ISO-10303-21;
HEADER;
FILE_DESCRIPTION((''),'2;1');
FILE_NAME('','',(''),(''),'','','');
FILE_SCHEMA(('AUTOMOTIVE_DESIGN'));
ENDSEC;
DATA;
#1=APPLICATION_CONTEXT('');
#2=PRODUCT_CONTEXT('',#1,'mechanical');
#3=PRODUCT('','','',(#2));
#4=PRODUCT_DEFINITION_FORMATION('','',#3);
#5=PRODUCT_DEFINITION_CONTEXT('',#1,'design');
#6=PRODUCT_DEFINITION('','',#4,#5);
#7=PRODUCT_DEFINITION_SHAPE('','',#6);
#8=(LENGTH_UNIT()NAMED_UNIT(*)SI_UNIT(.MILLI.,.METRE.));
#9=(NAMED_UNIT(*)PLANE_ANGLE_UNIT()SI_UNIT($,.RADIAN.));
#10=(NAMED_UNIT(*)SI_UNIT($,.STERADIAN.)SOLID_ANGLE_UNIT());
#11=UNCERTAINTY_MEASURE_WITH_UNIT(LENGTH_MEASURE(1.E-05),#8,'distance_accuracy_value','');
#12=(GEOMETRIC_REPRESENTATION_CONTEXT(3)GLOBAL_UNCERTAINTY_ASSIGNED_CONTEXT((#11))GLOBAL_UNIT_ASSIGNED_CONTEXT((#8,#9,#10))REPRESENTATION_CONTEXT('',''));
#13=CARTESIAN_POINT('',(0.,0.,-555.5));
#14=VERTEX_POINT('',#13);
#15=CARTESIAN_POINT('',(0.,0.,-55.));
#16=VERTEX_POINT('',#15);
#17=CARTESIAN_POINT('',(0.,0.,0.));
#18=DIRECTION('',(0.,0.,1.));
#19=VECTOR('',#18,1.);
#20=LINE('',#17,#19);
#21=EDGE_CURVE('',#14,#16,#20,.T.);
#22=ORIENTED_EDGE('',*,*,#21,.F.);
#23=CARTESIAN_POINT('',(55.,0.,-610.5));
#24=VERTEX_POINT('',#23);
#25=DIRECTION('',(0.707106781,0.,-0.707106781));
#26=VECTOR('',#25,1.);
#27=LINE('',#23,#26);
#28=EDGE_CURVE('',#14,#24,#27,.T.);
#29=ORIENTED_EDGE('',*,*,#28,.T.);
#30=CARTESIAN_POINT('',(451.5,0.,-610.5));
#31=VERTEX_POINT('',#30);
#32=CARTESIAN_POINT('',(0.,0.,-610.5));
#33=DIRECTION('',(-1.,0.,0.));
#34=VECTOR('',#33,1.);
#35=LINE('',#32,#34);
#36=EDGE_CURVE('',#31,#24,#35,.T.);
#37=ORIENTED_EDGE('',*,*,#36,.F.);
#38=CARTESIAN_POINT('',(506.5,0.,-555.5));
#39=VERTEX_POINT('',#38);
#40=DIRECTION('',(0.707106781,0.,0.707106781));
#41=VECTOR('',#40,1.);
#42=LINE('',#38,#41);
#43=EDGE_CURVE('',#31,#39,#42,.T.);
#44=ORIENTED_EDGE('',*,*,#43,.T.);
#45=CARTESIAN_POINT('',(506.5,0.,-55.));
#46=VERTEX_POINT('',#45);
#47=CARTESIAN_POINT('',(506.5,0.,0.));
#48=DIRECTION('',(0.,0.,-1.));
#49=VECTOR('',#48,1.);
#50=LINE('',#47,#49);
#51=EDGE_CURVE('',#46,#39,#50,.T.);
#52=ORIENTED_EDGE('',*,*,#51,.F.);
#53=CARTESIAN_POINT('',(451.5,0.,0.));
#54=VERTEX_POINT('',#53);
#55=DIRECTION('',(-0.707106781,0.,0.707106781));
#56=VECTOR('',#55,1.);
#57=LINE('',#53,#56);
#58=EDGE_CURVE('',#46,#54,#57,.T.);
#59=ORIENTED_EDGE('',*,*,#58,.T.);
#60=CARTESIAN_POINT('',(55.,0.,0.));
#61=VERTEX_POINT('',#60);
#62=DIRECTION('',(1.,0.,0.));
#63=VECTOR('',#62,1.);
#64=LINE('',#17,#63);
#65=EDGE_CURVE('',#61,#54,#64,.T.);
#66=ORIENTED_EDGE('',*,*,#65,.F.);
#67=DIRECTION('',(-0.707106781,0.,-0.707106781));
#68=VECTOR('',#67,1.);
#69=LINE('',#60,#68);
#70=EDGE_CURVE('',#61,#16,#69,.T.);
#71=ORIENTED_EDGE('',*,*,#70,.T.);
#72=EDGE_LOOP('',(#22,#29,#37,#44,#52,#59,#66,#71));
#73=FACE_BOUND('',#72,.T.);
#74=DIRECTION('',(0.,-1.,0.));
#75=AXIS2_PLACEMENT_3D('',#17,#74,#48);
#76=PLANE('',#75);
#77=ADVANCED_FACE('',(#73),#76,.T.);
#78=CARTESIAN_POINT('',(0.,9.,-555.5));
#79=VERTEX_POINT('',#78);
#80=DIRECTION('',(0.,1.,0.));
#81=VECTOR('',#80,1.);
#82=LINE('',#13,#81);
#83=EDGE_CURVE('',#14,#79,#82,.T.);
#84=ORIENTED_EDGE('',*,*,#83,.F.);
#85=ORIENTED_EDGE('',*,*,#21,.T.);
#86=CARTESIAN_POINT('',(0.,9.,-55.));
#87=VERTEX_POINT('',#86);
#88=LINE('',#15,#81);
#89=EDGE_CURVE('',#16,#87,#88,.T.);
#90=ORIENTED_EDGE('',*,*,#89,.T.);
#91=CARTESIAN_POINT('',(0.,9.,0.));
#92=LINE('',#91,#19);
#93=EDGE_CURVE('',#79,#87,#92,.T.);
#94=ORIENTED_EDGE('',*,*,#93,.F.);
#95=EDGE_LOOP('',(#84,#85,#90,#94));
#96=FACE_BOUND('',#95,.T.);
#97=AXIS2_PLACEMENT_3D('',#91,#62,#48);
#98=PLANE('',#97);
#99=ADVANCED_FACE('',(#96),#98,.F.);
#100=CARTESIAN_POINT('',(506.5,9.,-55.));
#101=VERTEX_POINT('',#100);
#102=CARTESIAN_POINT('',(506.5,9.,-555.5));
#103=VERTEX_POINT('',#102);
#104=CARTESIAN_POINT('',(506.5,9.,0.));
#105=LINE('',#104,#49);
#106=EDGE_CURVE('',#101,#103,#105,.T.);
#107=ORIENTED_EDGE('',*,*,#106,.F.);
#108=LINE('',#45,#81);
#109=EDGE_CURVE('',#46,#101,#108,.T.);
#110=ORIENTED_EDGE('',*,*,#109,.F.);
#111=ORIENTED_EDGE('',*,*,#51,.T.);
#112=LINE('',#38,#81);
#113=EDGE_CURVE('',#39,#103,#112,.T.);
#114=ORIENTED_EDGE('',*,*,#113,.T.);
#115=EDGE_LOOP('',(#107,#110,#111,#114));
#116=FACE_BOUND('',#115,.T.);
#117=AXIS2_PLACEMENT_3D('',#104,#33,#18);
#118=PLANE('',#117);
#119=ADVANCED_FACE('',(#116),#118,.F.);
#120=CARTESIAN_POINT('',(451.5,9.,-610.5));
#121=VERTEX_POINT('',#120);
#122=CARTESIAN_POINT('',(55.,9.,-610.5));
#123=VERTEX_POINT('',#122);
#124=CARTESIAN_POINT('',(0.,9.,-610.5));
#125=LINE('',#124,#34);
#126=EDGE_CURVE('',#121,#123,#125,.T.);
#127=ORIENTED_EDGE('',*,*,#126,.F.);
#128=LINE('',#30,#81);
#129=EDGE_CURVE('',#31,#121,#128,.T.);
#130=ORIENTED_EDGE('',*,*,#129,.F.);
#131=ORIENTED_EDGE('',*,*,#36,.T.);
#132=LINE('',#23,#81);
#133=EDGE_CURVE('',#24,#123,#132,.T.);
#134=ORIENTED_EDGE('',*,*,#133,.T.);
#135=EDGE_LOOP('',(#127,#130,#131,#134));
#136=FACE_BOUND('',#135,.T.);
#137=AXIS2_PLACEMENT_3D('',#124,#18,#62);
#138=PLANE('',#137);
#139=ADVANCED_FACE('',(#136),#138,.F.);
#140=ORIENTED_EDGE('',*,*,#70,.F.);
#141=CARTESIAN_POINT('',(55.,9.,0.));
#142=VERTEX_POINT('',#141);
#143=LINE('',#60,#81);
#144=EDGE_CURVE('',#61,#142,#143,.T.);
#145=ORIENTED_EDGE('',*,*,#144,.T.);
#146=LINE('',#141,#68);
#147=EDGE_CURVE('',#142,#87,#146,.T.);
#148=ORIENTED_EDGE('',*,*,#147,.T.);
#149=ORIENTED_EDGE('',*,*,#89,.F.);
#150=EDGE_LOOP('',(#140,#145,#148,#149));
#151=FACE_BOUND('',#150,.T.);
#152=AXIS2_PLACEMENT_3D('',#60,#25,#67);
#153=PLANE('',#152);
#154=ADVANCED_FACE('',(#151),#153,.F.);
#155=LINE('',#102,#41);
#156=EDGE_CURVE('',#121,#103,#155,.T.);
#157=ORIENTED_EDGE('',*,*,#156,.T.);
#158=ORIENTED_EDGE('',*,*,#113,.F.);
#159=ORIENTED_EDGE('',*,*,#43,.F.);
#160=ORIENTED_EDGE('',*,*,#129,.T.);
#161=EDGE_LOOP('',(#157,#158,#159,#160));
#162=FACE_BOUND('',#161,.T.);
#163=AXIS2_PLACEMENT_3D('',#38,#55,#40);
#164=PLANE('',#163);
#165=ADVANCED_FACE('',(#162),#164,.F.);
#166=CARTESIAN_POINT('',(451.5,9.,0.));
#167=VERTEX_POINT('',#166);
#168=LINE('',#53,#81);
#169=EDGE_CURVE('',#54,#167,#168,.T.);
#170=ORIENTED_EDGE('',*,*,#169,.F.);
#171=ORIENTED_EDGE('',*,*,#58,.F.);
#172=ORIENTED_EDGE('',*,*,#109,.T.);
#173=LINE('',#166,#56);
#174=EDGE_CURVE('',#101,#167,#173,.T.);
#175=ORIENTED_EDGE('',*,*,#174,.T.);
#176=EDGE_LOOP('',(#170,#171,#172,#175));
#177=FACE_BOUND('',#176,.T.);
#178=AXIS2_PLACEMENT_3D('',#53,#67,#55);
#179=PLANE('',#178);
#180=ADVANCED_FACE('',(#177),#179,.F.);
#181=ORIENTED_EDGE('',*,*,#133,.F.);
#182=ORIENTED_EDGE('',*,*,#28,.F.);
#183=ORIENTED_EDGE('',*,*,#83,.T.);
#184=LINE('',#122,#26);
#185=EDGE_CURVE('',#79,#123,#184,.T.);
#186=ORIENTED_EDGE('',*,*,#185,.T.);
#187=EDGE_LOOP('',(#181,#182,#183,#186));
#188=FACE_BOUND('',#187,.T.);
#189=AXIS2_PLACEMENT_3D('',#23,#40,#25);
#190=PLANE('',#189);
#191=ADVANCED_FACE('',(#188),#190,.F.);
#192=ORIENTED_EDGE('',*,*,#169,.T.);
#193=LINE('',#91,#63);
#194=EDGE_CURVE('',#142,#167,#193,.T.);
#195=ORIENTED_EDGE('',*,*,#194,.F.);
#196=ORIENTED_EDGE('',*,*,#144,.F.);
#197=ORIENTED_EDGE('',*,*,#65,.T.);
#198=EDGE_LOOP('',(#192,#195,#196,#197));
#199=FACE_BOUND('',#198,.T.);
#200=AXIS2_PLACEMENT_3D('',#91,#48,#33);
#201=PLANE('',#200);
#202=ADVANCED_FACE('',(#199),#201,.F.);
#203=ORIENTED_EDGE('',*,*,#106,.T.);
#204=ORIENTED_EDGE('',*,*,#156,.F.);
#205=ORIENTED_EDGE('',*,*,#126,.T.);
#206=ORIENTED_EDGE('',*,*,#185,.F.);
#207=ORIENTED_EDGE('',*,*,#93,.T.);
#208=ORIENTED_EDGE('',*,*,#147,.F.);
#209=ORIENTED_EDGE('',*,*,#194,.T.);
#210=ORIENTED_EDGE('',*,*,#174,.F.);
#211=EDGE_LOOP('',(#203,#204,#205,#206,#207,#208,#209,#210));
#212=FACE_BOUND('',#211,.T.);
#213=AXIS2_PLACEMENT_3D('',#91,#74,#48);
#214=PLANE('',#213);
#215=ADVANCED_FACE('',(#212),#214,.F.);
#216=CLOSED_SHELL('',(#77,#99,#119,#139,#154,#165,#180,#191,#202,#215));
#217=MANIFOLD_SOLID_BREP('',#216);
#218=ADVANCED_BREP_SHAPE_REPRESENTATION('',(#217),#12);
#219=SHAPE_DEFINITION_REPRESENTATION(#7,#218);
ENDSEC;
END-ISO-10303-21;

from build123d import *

# Parameters (mm, degrees)
SKETCH1_W           = 506.5
SKETCH1_H           = 610.5
BOSS_EXTRUDE1_DEPTH = 9
CUT_EXTRUDE1_DEPTH  = 10


with BuildPart() as part:
    # Sketch1 → Boss-Extrude1 (new body)
    with BuildSketch(Plane(origin=(0, 0, 0), x_dir=(1, 0, 0), z_dir=(0, 1, 0))):
        with Locations((253.25, 305.25)):
            Rectangle(SKETCH1_W, SKETCH1_H)
    extrude(amount=BOSS_EXTRUDE1_DEPTH)

    # Sketch2 → Cut-Extrude1 (cut, through all)
    with BuildSketch(Plane(origin=(0, 9, 0), x_dir=(1, 0, 0), z_dir=(0, 1, 0))):
        Polygon((0, 0), (55, 0), (0, 55), align=None)
        Polygon((506.5, 0), (451.5, 0), (506.5, 55), align=None)
        Polygon((506.5, 610.5), (506.5, 555.5), (451.5, 610.5), align=None)
        Polygon((0, 610.5), (55, 610.5), (0, 555.5), align=None)
    extrude(amount=-CUT_EXTRUDE1_DEPTH, mode=Mode.SUBTRACT)


solid = part.part
